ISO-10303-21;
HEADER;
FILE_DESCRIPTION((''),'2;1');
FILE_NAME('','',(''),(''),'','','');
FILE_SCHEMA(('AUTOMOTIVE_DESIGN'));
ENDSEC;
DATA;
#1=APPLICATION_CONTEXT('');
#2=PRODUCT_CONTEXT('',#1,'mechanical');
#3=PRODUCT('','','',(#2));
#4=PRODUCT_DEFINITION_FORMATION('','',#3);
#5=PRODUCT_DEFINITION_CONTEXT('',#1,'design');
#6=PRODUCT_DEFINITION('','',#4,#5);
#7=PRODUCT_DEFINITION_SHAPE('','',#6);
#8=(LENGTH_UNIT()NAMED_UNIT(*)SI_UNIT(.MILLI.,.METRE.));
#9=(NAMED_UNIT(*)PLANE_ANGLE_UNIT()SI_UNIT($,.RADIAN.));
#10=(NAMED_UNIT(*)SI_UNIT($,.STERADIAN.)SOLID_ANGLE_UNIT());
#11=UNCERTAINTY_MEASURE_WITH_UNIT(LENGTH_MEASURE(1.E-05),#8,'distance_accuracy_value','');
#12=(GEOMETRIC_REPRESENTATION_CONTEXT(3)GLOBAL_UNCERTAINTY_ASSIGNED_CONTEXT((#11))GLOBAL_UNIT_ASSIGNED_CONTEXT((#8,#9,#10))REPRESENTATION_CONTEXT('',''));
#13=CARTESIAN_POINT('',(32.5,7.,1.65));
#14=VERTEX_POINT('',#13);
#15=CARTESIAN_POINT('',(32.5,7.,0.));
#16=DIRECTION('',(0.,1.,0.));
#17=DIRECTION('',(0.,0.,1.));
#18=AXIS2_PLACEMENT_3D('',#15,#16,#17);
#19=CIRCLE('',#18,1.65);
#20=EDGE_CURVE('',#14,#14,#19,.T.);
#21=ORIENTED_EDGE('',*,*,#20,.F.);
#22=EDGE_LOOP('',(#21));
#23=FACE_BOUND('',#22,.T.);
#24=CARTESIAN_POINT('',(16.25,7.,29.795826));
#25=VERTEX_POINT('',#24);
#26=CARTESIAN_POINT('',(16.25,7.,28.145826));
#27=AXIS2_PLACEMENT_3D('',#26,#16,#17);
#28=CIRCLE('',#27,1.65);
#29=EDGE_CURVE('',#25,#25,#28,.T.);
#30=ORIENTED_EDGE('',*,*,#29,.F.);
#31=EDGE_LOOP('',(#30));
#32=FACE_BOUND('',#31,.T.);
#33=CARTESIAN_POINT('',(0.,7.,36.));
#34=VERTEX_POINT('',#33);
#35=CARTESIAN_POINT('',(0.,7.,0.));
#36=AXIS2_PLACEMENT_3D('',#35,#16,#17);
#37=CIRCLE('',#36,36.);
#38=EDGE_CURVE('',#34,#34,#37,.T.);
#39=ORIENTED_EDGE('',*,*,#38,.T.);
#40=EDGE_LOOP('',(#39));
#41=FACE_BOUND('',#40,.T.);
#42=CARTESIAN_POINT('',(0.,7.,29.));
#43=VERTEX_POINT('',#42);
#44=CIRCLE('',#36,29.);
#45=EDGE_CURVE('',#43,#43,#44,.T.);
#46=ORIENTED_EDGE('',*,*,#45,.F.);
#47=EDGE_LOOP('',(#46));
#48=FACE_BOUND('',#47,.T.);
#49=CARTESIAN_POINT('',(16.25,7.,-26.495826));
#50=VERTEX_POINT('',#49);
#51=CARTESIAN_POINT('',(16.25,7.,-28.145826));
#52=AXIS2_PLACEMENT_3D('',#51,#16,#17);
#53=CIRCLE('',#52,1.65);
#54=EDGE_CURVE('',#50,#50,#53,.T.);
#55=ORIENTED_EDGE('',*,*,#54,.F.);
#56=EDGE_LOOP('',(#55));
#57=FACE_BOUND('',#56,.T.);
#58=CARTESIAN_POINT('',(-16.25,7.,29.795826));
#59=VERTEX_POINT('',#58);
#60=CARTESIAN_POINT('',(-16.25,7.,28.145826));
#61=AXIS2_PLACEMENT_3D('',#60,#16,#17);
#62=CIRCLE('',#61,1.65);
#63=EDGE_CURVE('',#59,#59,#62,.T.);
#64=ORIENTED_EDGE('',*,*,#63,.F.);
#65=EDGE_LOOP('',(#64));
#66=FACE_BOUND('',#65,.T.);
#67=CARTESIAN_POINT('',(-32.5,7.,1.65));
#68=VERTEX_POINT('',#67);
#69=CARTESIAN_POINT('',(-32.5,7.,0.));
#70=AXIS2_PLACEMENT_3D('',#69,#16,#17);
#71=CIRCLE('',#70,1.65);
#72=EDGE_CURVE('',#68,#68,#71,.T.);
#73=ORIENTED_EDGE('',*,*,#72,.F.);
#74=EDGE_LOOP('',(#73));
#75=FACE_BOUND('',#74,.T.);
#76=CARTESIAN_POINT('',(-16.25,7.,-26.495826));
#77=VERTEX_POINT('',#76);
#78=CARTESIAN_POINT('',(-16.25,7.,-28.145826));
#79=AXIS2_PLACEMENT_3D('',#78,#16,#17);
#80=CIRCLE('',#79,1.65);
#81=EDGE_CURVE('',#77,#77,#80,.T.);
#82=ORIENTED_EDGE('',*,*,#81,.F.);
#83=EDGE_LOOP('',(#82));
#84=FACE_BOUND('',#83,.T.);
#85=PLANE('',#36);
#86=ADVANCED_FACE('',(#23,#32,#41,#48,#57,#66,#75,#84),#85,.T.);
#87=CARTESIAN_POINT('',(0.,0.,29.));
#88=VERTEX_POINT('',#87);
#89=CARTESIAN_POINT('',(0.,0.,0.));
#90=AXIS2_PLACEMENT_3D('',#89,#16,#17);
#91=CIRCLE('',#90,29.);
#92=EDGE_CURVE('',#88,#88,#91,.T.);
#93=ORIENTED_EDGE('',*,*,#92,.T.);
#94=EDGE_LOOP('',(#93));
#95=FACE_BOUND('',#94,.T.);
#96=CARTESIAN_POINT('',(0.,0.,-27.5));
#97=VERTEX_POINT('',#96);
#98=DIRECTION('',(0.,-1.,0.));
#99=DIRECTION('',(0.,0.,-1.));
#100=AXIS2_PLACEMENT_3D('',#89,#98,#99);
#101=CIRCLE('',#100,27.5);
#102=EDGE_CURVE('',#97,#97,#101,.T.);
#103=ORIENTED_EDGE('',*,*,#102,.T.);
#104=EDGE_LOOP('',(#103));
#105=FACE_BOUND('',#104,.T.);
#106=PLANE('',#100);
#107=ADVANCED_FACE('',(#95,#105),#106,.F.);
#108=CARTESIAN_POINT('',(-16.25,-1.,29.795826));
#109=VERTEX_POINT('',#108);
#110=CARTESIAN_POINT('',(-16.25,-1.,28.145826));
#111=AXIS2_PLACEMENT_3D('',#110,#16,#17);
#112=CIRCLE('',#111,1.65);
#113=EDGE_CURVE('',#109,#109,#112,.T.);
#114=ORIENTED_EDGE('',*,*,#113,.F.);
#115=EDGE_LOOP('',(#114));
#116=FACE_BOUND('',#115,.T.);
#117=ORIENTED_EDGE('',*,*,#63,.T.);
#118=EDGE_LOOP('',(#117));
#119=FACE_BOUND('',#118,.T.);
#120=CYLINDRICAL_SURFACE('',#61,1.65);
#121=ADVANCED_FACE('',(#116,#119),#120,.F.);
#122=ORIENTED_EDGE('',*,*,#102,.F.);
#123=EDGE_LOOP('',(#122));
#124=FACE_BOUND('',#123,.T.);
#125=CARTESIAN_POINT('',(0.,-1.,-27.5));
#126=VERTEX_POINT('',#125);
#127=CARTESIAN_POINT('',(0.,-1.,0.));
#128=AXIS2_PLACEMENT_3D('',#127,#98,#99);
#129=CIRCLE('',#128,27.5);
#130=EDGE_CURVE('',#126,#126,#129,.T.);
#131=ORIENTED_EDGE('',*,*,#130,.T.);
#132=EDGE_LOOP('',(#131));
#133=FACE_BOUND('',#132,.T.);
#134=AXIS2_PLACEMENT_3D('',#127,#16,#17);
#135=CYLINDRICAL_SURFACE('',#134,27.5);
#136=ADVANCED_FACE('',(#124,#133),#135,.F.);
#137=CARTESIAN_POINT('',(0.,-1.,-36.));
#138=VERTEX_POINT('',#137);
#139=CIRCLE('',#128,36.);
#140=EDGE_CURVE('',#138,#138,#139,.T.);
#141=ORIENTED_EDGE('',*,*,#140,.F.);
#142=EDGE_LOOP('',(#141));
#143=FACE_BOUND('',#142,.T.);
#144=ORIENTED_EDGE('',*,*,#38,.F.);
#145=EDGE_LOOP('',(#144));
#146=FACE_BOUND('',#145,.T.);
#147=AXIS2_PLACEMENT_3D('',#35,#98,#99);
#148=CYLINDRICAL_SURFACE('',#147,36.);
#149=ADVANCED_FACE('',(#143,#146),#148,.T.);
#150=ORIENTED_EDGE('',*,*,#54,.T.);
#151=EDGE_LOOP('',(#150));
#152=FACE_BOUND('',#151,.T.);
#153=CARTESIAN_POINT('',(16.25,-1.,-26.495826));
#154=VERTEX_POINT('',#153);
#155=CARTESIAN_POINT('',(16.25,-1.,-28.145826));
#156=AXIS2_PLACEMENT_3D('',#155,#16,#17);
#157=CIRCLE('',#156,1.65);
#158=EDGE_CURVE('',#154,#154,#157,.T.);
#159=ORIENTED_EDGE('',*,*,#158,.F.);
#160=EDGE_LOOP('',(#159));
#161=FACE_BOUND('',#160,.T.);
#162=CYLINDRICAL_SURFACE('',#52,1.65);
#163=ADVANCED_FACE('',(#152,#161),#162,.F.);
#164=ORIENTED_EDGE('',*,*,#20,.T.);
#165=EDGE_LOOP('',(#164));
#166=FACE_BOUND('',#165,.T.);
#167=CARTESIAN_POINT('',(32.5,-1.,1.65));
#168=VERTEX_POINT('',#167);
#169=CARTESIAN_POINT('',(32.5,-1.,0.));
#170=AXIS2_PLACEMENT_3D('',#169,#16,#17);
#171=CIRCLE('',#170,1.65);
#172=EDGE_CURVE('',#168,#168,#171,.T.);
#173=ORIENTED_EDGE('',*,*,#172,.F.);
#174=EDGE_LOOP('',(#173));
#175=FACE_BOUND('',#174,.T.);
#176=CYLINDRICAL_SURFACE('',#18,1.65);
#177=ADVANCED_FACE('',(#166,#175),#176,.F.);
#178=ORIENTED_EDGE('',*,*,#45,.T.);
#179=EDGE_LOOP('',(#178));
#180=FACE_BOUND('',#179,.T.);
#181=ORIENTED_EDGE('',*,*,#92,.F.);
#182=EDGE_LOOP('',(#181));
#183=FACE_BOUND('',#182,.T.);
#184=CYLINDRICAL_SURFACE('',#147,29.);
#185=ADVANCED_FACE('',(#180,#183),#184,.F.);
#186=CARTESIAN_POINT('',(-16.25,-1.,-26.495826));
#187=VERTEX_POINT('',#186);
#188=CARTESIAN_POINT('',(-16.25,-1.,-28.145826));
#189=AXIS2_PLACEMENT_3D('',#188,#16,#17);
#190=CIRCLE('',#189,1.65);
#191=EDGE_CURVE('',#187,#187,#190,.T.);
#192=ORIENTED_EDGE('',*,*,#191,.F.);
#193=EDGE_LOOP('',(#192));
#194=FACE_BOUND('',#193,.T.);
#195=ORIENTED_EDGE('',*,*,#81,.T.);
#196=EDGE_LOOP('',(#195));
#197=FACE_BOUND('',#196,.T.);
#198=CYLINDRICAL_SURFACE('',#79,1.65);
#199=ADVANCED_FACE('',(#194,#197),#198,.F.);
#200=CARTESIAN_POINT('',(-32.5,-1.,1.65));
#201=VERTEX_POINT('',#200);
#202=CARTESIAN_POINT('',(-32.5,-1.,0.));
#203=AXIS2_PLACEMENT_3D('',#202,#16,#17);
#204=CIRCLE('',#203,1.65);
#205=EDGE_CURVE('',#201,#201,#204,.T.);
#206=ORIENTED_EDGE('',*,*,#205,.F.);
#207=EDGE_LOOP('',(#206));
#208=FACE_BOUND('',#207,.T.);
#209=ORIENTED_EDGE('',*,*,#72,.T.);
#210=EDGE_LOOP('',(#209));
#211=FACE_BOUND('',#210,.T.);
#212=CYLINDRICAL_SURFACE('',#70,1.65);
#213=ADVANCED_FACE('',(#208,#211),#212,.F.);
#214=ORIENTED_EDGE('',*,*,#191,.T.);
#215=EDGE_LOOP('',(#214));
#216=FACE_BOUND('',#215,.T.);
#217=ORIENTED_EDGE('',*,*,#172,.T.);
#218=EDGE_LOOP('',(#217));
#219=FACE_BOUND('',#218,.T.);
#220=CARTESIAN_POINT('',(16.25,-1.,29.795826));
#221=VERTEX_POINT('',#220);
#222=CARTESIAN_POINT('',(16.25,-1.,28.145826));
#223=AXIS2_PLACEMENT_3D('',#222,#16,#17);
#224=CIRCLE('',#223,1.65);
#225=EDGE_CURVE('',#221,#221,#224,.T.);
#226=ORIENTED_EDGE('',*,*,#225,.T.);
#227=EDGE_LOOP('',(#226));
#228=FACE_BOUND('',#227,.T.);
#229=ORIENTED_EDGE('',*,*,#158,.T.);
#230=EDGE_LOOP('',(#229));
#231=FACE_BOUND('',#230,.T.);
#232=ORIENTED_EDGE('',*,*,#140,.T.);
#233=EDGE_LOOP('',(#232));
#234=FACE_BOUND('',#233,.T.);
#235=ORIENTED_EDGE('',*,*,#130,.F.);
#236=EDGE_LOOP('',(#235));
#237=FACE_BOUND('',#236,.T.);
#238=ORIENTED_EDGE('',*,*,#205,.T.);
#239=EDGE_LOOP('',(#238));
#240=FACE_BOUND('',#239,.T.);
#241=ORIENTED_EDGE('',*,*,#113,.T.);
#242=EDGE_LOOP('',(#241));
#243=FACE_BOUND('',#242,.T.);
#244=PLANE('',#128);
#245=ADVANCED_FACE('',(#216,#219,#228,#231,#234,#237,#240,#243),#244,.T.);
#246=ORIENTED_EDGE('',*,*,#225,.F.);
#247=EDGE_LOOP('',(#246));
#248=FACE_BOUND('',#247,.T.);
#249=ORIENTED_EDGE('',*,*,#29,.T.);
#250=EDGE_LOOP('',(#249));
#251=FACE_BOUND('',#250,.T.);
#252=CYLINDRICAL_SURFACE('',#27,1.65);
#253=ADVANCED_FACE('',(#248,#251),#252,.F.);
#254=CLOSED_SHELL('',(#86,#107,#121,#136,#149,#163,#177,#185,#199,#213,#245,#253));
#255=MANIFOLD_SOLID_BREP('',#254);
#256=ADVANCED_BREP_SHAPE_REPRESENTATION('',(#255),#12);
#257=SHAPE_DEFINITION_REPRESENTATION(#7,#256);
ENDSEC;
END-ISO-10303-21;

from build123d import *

# Parameters (mm, degrees)
SKETCH_2_R         = 36
SKETCH_2_R_2       = 29
EXTRUDE_1_DEPTH    = 7
EXTRUDE_START      = 1
SKETCH_3_R         = 36
SKETCH_3_R_2       = 27.5
EXTRUDE_2_DEPTH    = 1
HOLE_WIZARD_M4_1_D = 3.3


with BuildPart() as part:
    # 草图2 → 凸台-拉伸1 (new body)
    with BuildSketch(Plane(origin=(0, 0, 0), x_dir=(1, 0, 0), z_dir=(0, 1, 0))):
        with Locations(Location((0, 0, 0), (0, 0, 270))):
            Circle(SKETCH_2_R)
        with Locations(Location((0, 0, 0), (0, 0, 270))):
            Circle(SKETCH_2_R_2, mode=Mode.SUBTRACT)
    extrude(amount=EXTRUDE_1_DEPTH)

    # 草图3 → 凸台-拉伸2 (add)
    with BuildSketch(Plane.XZ.offset(EXTRUDE_START)):
        with Locations(Location((0, 0, 0), (0, 0, 270))):
            Circle(SKETCH_3_R)
        with Locations(Location((0, 0, 0), (0, 0, 270))):
            Circle(SKETCH_3_R_2, mode=Mode.SUBTRACT)
    extrude(amount=-EXTRUDE_2_DEPTH)

    # M4 螺纹孔1 (through all)
    with Locations(Plane(origin=(0, 7, 0), x_dir=(1, 0, 0), z_dir=(0, 1, 0))):
        with Locations((-16.25, 28.145825623), (16.25, 28.145825623), (32.5, 0), (16.25, -28.145825623), (-16.25, -28.145825623), (-32.5, 0)):
            Hole(HOLE_WIZARD_M4_1_D / 2)


solid = part.part
